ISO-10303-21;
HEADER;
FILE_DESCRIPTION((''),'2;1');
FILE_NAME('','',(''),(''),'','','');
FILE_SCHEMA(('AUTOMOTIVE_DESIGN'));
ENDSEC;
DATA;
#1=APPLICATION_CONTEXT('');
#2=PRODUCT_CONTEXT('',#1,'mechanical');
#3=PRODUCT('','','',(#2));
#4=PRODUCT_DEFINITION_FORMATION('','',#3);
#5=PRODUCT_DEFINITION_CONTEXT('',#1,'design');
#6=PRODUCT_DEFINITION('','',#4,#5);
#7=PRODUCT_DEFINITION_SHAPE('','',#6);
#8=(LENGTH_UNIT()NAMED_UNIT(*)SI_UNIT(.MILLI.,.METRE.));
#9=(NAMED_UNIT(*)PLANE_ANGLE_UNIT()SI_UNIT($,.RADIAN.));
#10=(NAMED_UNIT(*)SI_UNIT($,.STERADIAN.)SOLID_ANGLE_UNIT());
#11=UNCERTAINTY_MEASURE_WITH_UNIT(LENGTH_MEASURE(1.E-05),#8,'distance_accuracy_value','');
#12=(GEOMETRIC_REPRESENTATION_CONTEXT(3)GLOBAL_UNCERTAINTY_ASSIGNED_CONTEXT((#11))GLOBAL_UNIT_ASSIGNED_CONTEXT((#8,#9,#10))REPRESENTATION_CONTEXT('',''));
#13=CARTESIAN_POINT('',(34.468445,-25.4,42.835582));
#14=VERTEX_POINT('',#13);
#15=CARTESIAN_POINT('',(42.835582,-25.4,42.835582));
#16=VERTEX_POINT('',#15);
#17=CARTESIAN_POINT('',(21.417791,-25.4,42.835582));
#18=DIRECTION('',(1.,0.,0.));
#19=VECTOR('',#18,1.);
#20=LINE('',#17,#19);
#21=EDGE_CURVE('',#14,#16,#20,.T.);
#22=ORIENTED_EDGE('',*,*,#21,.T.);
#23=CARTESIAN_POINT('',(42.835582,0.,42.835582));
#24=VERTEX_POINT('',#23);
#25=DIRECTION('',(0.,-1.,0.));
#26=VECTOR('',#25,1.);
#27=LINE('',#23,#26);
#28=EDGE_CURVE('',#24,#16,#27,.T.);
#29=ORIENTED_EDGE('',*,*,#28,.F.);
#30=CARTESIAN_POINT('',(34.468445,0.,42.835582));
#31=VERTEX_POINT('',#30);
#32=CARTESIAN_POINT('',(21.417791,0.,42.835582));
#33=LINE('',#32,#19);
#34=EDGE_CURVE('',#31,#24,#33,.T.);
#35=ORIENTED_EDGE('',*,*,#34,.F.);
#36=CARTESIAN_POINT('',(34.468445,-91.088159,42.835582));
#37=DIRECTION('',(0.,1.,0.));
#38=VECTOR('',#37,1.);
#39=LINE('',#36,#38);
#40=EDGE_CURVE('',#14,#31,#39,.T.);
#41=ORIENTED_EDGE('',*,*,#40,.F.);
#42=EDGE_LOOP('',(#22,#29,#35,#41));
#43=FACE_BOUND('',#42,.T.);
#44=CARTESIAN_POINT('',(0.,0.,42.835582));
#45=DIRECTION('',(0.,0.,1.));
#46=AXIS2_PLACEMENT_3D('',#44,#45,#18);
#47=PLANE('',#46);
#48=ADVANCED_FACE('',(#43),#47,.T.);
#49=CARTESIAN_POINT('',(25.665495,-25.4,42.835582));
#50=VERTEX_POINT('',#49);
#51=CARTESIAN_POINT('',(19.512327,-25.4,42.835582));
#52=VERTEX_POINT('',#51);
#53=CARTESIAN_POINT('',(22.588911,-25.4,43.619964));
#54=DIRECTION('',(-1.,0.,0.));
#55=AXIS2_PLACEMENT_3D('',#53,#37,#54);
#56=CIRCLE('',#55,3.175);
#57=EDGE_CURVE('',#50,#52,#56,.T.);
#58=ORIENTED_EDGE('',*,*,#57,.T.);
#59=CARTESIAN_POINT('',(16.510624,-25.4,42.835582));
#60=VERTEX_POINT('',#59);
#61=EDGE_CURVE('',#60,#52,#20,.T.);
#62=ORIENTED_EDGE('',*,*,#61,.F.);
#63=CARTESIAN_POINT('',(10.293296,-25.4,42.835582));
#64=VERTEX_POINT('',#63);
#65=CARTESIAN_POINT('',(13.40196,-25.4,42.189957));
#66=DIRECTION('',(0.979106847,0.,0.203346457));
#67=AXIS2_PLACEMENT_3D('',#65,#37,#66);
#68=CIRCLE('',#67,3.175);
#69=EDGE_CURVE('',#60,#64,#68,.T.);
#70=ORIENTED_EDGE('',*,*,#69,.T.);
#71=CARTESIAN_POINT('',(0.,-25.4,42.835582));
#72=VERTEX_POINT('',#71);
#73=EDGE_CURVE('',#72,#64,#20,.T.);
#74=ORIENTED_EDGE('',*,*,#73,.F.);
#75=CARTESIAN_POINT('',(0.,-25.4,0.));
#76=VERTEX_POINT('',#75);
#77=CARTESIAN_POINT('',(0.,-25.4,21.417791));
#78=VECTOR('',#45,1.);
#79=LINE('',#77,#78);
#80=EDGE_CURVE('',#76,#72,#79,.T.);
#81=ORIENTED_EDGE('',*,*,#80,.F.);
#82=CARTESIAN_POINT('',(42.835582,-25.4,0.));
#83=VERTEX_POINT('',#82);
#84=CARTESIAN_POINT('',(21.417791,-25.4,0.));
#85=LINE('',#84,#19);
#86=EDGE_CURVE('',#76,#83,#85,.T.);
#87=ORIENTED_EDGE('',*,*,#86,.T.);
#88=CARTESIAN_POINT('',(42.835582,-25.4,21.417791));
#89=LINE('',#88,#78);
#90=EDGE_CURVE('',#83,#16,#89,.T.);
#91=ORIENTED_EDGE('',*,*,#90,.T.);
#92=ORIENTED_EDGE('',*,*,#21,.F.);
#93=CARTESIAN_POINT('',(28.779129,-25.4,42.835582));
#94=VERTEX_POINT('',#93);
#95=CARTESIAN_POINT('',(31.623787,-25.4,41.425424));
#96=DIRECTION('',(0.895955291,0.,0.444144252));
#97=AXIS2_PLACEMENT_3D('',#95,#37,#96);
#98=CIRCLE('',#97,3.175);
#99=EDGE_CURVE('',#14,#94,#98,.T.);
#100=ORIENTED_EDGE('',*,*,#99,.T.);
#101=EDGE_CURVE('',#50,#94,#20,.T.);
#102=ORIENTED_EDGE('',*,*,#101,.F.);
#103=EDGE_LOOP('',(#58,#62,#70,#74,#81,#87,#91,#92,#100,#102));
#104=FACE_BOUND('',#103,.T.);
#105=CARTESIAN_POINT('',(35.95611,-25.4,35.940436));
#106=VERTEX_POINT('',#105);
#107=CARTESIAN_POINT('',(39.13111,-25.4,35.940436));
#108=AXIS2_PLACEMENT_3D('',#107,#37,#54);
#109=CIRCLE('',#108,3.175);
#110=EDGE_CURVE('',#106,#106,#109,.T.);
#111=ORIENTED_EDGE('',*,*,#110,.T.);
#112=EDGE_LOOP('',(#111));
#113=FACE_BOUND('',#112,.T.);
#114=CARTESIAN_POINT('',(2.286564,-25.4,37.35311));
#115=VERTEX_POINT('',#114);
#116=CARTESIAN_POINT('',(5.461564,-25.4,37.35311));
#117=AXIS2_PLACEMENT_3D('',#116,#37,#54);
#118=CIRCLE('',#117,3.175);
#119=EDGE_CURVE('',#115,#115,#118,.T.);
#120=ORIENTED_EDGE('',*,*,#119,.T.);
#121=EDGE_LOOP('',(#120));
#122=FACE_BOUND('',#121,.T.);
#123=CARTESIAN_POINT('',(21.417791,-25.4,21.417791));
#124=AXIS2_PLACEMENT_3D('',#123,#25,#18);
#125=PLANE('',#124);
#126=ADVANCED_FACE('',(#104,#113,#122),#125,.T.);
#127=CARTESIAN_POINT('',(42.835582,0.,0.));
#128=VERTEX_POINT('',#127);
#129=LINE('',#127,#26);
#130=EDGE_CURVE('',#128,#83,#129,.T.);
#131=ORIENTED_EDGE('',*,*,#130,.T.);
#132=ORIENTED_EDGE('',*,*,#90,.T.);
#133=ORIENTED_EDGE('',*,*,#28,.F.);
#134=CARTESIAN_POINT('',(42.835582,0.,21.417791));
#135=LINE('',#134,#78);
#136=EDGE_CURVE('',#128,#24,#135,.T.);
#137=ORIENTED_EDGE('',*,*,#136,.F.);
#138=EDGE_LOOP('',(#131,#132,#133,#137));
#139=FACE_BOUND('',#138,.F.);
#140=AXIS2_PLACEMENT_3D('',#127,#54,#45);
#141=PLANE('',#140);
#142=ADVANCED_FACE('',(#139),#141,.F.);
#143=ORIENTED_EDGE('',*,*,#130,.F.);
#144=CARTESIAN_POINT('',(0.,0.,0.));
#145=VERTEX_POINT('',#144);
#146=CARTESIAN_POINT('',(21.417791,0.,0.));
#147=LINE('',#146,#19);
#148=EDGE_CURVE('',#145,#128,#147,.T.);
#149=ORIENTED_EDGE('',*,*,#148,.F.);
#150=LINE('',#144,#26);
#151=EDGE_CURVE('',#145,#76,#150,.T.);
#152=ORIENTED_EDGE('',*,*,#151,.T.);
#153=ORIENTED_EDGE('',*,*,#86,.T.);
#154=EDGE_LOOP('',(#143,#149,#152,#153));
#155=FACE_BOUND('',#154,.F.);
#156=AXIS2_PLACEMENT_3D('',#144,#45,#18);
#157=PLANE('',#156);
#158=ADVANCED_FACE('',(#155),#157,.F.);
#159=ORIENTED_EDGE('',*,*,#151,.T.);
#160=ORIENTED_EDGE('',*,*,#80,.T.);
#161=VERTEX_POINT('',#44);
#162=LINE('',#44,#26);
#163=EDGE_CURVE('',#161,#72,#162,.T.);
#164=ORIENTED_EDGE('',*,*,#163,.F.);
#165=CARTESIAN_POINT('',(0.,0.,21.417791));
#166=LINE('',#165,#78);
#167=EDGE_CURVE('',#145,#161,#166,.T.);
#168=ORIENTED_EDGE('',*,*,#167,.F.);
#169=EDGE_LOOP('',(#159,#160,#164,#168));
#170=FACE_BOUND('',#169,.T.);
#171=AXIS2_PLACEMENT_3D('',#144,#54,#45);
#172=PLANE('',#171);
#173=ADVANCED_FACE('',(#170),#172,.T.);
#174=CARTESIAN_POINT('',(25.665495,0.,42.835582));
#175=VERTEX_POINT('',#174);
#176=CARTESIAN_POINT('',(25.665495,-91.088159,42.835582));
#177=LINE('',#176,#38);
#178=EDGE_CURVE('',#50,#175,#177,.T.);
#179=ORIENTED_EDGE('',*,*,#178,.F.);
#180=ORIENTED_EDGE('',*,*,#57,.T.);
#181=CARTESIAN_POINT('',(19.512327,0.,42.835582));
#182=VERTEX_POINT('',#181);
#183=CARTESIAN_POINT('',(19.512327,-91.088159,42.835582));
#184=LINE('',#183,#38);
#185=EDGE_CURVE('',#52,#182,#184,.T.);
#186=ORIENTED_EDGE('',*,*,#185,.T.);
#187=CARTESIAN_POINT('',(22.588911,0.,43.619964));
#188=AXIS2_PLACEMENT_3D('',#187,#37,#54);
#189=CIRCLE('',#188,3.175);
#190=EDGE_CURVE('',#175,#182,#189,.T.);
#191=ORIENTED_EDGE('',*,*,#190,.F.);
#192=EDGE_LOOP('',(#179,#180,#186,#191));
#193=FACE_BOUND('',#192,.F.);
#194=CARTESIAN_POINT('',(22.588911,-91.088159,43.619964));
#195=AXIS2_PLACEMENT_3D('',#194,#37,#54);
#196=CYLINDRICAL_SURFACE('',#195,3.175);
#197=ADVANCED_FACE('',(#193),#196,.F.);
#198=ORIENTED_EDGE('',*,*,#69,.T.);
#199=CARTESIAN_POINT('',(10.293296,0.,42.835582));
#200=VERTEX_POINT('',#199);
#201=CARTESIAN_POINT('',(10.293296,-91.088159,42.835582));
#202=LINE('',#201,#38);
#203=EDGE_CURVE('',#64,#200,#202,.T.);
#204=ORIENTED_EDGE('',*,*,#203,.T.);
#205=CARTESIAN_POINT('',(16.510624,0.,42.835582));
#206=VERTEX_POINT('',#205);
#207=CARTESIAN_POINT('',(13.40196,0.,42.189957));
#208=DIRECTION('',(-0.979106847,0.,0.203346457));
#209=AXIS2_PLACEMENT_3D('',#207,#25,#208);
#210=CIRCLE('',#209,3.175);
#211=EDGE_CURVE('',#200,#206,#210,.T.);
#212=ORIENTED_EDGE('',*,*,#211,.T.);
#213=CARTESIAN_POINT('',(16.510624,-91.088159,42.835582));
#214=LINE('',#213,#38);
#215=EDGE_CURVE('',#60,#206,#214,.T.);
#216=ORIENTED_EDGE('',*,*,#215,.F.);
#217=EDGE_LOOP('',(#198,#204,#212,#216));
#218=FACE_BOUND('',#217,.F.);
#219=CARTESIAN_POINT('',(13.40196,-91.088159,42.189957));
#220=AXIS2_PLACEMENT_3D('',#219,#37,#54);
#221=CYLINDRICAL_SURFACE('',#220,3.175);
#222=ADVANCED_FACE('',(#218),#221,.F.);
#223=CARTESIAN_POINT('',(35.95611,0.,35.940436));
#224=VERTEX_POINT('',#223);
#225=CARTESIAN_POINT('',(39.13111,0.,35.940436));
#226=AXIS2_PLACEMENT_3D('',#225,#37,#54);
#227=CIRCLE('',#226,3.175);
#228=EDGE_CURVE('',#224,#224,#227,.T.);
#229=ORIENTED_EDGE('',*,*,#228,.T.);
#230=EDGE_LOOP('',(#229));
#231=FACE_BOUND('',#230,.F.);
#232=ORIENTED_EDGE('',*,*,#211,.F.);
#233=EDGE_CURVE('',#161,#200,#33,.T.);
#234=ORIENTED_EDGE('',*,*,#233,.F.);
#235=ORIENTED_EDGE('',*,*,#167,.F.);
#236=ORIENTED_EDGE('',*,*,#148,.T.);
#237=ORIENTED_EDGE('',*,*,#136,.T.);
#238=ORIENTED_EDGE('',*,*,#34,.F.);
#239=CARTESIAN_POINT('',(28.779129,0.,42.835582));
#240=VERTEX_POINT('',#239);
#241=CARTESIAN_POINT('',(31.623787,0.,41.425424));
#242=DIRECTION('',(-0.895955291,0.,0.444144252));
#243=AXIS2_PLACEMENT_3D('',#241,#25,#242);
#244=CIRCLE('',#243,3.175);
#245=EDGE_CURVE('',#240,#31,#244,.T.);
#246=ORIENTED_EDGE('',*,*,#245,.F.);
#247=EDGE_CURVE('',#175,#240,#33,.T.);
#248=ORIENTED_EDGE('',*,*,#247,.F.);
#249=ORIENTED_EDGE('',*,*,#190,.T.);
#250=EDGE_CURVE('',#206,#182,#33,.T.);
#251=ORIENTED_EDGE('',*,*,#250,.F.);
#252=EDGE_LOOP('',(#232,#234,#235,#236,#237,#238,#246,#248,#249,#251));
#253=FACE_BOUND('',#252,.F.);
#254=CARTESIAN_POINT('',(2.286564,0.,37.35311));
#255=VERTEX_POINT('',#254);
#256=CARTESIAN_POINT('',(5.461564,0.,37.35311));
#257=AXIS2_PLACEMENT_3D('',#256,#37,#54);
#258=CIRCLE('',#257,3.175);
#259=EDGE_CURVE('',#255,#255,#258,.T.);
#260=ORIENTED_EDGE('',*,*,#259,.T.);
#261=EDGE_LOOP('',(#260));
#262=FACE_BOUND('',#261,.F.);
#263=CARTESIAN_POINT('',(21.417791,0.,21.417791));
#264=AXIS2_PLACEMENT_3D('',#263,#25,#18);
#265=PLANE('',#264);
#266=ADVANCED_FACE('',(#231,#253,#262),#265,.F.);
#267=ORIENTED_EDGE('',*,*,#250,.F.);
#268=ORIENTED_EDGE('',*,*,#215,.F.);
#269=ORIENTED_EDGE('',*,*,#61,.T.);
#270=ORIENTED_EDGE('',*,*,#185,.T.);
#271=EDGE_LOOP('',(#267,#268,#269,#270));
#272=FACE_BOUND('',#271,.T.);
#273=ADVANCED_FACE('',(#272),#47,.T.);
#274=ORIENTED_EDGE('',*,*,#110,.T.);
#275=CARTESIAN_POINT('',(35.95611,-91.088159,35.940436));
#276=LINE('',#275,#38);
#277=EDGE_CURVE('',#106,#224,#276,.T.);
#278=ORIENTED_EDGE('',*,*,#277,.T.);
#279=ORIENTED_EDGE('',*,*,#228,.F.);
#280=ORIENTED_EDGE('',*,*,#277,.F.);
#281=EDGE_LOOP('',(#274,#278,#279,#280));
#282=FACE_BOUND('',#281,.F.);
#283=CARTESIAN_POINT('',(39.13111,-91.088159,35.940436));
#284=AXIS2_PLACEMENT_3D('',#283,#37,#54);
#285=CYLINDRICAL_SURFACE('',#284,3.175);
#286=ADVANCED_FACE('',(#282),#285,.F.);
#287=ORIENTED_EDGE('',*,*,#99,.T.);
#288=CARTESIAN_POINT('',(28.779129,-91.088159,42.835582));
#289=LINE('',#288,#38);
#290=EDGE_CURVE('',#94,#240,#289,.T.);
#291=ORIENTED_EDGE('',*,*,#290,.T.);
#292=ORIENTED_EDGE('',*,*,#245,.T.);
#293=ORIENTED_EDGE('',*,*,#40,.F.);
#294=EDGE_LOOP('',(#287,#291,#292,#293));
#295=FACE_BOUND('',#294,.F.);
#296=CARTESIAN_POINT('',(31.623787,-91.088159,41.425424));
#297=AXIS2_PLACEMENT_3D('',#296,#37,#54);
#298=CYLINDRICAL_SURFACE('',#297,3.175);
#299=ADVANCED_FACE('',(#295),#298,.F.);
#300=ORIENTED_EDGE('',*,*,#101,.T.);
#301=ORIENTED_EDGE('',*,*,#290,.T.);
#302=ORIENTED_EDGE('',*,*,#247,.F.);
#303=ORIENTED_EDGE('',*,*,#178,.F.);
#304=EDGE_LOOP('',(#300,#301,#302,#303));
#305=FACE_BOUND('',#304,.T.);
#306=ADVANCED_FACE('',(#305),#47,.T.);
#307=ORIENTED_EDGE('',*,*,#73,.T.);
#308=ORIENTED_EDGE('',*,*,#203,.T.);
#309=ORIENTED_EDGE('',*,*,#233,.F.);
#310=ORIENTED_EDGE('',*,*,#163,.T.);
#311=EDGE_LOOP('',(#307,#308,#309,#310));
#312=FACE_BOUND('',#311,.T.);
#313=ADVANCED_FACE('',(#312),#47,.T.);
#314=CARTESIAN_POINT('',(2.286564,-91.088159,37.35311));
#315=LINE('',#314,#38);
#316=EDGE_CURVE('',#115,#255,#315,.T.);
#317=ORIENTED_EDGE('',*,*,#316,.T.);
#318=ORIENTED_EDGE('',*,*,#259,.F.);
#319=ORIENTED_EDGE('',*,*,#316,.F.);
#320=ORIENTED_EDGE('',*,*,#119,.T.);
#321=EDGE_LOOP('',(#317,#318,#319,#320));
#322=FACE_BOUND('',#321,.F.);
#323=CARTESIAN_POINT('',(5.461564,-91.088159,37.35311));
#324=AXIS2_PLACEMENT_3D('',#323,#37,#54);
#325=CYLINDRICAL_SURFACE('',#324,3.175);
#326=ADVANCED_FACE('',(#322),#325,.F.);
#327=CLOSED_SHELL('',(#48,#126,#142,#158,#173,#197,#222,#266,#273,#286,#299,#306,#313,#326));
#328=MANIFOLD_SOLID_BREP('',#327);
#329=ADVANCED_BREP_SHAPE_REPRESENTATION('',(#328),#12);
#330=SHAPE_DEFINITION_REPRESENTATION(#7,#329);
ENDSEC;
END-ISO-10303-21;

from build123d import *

# Parameters (mm, degrees)
F0_W     = 42.835582
F0_H     = 42.835582
F1_DEPTH = 25.4
F3_D     = 6.35


with BuildPart() as f1:
    # F0 (on Front) → F1 (new body)
    with BuildSketch(Plane.XZ):
        with Locations((21.417791, 21.417791)):
            Rectangle(F0_W, F0_H)
    extrude(amount=F1_DEPTH)

    # F3 (through all)
    with Locations(Plane.XZ.offset(25.4)):
        with Locations((5.461564, 37.35311), (39.13111, 35.940436), (31.623787, 41.425424), (22.588911, 43.619964), (13.40196, 42.189957)):
            Hole(F3_D / 2)


solid = f1.part
